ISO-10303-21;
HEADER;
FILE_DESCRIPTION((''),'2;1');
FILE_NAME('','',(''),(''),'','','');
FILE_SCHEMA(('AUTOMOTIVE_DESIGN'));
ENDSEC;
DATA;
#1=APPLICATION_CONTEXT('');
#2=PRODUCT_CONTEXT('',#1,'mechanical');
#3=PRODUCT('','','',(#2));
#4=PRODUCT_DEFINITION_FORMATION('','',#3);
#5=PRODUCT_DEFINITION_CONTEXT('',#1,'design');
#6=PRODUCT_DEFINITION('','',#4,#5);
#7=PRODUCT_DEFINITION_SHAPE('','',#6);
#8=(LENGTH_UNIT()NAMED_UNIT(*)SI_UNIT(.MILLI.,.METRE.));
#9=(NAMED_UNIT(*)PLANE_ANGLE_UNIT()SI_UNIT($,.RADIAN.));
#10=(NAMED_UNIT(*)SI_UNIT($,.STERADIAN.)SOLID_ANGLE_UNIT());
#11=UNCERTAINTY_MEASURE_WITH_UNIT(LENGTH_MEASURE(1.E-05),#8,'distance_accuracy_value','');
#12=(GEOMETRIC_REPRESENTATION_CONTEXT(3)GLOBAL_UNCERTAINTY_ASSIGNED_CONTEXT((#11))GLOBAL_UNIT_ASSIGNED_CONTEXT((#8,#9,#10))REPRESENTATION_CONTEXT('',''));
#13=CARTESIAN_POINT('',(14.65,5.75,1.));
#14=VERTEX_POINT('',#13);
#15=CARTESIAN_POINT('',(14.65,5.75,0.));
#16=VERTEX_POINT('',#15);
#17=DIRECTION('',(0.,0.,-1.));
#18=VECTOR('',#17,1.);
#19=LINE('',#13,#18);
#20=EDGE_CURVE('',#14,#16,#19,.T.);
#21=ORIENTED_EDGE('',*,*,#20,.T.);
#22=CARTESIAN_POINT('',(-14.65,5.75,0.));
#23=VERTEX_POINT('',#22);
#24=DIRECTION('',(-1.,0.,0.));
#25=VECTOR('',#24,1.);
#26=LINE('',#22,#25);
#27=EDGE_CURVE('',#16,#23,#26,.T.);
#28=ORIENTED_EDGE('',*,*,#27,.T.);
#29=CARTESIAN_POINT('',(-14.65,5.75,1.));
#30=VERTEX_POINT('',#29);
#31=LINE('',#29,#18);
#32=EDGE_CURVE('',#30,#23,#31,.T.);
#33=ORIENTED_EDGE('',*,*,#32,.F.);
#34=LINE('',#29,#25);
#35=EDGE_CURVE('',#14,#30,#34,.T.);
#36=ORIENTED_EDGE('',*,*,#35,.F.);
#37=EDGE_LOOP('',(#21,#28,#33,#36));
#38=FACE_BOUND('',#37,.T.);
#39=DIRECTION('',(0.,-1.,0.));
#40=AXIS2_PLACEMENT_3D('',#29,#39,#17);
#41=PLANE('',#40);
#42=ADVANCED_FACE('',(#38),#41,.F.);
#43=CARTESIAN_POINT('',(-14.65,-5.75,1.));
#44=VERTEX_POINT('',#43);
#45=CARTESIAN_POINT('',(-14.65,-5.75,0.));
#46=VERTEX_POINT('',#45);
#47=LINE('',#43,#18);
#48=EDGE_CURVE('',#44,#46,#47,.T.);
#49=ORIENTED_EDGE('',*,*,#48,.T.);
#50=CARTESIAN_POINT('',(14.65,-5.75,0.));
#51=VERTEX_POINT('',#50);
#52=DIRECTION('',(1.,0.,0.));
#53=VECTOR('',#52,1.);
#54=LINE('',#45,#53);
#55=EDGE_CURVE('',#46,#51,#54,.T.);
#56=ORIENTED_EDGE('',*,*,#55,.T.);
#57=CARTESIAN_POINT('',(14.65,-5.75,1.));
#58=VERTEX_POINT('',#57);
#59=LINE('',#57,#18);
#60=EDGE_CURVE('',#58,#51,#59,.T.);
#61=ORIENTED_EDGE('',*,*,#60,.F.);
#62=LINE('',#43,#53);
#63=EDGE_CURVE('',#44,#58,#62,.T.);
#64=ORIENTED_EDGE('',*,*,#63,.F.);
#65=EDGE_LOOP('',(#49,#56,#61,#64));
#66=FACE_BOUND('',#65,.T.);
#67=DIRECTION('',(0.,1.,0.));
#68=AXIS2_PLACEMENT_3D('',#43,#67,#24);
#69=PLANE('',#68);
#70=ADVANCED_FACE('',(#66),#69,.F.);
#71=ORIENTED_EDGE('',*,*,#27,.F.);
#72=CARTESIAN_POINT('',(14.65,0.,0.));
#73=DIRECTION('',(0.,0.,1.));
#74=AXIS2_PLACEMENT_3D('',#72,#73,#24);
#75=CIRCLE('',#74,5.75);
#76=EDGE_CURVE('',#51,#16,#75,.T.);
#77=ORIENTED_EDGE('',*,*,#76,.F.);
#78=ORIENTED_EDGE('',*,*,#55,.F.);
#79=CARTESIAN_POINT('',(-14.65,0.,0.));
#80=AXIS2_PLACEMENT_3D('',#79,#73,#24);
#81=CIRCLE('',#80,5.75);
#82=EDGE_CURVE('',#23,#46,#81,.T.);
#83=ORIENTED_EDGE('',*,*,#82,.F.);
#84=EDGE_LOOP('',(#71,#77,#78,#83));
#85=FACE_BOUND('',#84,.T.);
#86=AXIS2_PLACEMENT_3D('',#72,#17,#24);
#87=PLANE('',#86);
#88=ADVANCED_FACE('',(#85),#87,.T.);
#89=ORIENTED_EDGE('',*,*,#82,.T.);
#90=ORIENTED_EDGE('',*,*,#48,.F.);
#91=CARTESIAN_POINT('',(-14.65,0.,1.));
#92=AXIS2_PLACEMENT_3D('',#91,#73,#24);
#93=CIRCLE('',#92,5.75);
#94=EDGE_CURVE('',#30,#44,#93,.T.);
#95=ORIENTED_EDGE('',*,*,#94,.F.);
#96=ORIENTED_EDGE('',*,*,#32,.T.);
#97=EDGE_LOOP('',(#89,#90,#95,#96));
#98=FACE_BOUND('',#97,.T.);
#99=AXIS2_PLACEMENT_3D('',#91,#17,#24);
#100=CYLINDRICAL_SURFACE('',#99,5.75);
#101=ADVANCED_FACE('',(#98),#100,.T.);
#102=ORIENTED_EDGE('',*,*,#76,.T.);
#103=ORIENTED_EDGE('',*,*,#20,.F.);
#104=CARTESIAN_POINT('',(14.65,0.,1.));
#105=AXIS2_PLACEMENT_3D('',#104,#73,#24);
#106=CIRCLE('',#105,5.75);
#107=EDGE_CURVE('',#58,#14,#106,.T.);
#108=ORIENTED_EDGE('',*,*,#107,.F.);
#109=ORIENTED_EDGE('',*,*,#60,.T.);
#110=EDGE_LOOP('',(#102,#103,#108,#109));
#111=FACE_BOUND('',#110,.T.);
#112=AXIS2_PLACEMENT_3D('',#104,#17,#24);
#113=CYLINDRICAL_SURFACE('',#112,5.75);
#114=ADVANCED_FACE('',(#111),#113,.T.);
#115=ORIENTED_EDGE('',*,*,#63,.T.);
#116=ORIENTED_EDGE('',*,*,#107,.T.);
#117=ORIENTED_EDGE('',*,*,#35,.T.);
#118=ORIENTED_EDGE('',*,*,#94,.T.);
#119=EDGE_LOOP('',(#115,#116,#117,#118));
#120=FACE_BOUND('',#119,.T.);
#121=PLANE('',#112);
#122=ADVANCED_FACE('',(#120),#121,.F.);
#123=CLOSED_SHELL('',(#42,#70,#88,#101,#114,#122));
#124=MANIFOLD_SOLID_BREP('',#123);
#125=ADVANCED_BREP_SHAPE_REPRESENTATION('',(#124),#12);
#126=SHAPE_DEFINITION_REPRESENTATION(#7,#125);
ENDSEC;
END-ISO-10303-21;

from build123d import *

# Parameters (mm, degrees)
BOSS_EXTRUDE1_DEPTH = 1


with BuildPart() as part:
    # Sketch1 → Boss-Extrude1 (new body)
    with BuildSketch(Plane.XY):
        with BuildLine():
            Line((-14.65, -5.75), (14.65, -5.75))
            ThreePointArc((14.65, -5.75), (20.4, 0), (14.65, 5.75))
            Line((14.65, 5.75), (-14.65, 5.75))
            ThreePointArc((-14.65, 5.75), (-20.4, 0), (-14.65, -5.75))
        make_face()
    extrude(amount=BOSS_EXTRUDE1_DEPTH)


solid = part.part
